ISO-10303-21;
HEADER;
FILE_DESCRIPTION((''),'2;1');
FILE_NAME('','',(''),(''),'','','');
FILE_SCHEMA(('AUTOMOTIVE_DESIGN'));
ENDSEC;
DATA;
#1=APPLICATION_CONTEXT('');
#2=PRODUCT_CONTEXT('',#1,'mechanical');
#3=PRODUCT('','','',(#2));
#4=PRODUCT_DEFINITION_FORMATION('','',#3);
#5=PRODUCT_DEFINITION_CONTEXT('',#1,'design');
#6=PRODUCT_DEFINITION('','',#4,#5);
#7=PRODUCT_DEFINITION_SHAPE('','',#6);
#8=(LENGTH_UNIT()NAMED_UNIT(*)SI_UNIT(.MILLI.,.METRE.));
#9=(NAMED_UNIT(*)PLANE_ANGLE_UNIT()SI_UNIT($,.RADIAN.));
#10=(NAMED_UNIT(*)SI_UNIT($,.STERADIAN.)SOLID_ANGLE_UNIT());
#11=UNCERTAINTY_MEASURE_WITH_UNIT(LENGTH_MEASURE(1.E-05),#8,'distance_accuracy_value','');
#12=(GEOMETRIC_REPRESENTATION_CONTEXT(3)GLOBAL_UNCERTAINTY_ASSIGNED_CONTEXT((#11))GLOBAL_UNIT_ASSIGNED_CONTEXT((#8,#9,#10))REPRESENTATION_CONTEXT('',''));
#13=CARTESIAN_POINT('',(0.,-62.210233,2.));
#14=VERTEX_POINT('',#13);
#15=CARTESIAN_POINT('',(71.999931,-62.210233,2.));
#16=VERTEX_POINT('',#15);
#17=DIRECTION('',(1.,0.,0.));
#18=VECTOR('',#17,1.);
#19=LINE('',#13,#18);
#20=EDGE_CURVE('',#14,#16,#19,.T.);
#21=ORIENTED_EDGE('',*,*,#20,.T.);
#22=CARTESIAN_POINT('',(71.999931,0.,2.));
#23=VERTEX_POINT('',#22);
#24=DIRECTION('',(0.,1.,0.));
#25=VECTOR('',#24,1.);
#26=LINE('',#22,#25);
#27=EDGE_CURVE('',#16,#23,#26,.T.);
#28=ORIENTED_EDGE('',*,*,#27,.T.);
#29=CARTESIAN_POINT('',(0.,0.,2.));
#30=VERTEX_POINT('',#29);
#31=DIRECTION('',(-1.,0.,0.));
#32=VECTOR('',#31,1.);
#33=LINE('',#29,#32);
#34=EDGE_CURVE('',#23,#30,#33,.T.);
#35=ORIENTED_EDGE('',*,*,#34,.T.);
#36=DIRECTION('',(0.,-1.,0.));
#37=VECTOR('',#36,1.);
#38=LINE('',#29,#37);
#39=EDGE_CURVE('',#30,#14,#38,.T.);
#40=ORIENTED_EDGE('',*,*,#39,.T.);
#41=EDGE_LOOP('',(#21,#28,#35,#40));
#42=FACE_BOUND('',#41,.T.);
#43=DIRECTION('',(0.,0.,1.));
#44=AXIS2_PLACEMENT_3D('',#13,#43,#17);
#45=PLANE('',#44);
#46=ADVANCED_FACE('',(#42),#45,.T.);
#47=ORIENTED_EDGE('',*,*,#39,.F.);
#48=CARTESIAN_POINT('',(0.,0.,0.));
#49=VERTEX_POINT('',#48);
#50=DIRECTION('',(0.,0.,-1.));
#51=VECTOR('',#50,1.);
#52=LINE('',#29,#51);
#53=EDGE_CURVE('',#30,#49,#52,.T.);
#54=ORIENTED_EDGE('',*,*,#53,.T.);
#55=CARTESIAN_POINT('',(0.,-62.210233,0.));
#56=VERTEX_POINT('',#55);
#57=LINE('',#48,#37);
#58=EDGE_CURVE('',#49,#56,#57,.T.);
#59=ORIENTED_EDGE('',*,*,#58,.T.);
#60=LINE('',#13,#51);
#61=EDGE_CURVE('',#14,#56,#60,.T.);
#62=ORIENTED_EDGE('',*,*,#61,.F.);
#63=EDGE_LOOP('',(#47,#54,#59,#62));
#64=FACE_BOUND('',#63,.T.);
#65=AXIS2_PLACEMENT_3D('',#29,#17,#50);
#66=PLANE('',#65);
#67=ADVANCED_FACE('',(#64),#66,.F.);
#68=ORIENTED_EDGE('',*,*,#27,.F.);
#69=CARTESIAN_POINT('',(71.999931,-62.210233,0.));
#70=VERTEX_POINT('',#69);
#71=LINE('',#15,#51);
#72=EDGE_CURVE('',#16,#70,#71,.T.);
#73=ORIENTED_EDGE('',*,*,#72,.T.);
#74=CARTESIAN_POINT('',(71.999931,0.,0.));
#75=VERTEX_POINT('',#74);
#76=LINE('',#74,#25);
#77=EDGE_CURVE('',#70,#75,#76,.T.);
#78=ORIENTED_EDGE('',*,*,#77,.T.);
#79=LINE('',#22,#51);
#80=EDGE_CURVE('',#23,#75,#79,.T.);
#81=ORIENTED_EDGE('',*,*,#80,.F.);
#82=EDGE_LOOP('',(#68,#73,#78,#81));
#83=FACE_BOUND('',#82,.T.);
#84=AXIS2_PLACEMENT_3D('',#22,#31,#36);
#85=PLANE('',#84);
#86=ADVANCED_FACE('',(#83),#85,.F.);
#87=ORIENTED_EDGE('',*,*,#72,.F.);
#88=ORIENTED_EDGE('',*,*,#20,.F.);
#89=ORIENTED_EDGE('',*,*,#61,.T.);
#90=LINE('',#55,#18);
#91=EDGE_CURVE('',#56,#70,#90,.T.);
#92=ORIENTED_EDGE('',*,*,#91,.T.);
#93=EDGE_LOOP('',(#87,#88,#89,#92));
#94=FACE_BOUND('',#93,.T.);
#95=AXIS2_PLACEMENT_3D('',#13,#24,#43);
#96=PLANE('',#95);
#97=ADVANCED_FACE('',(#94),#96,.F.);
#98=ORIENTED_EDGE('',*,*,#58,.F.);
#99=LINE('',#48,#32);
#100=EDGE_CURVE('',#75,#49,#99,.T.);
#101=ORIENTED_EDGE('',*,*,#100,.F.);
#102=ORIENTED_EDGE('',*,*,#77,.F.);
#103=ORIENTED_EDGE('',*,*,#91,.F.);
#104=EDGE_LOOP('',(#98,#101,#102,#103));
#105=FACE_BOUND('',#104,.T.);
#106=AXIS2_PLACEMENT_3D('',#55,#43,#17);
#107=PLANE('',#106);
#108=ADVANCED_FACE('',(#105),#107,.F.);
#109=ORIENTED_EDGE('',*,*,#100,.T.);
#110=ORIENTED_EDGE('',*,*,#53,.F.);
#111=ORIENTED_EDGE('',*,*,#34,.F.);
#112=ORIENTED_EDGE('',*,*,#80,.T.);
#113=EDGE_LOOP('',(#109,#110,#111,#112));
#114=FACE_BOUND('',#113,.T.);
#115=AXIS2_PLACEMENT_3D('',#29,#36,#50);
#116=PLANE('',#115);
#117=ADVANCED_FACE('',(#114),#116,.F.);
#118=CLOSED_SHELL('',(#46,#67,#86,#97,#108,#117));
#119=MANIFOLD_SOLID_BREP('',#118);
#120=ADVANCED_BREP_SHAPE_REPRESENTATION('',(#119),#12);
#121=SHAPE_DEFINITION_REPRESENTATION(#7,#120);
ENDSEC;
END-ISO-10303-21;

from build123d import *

# Parameters (mm, degrees)
SKETCH_1_W      = 71.999931263
SKETCH_1_H      = 62.210232518
EXTRUDE_1_DEPTH = 2


with BuildPart() as part:
    # Эскиз1 → Вытянуть1 (new body)
    with BuildSketch(Plane.XY):
        with Locations((35.999965632, -31.105116259)):
            Rectangle(SKETCH_1_W, SKETCH_1_H)
    extrude(amount=EXTRUDE_1_DEPTH)


solid = part.part
